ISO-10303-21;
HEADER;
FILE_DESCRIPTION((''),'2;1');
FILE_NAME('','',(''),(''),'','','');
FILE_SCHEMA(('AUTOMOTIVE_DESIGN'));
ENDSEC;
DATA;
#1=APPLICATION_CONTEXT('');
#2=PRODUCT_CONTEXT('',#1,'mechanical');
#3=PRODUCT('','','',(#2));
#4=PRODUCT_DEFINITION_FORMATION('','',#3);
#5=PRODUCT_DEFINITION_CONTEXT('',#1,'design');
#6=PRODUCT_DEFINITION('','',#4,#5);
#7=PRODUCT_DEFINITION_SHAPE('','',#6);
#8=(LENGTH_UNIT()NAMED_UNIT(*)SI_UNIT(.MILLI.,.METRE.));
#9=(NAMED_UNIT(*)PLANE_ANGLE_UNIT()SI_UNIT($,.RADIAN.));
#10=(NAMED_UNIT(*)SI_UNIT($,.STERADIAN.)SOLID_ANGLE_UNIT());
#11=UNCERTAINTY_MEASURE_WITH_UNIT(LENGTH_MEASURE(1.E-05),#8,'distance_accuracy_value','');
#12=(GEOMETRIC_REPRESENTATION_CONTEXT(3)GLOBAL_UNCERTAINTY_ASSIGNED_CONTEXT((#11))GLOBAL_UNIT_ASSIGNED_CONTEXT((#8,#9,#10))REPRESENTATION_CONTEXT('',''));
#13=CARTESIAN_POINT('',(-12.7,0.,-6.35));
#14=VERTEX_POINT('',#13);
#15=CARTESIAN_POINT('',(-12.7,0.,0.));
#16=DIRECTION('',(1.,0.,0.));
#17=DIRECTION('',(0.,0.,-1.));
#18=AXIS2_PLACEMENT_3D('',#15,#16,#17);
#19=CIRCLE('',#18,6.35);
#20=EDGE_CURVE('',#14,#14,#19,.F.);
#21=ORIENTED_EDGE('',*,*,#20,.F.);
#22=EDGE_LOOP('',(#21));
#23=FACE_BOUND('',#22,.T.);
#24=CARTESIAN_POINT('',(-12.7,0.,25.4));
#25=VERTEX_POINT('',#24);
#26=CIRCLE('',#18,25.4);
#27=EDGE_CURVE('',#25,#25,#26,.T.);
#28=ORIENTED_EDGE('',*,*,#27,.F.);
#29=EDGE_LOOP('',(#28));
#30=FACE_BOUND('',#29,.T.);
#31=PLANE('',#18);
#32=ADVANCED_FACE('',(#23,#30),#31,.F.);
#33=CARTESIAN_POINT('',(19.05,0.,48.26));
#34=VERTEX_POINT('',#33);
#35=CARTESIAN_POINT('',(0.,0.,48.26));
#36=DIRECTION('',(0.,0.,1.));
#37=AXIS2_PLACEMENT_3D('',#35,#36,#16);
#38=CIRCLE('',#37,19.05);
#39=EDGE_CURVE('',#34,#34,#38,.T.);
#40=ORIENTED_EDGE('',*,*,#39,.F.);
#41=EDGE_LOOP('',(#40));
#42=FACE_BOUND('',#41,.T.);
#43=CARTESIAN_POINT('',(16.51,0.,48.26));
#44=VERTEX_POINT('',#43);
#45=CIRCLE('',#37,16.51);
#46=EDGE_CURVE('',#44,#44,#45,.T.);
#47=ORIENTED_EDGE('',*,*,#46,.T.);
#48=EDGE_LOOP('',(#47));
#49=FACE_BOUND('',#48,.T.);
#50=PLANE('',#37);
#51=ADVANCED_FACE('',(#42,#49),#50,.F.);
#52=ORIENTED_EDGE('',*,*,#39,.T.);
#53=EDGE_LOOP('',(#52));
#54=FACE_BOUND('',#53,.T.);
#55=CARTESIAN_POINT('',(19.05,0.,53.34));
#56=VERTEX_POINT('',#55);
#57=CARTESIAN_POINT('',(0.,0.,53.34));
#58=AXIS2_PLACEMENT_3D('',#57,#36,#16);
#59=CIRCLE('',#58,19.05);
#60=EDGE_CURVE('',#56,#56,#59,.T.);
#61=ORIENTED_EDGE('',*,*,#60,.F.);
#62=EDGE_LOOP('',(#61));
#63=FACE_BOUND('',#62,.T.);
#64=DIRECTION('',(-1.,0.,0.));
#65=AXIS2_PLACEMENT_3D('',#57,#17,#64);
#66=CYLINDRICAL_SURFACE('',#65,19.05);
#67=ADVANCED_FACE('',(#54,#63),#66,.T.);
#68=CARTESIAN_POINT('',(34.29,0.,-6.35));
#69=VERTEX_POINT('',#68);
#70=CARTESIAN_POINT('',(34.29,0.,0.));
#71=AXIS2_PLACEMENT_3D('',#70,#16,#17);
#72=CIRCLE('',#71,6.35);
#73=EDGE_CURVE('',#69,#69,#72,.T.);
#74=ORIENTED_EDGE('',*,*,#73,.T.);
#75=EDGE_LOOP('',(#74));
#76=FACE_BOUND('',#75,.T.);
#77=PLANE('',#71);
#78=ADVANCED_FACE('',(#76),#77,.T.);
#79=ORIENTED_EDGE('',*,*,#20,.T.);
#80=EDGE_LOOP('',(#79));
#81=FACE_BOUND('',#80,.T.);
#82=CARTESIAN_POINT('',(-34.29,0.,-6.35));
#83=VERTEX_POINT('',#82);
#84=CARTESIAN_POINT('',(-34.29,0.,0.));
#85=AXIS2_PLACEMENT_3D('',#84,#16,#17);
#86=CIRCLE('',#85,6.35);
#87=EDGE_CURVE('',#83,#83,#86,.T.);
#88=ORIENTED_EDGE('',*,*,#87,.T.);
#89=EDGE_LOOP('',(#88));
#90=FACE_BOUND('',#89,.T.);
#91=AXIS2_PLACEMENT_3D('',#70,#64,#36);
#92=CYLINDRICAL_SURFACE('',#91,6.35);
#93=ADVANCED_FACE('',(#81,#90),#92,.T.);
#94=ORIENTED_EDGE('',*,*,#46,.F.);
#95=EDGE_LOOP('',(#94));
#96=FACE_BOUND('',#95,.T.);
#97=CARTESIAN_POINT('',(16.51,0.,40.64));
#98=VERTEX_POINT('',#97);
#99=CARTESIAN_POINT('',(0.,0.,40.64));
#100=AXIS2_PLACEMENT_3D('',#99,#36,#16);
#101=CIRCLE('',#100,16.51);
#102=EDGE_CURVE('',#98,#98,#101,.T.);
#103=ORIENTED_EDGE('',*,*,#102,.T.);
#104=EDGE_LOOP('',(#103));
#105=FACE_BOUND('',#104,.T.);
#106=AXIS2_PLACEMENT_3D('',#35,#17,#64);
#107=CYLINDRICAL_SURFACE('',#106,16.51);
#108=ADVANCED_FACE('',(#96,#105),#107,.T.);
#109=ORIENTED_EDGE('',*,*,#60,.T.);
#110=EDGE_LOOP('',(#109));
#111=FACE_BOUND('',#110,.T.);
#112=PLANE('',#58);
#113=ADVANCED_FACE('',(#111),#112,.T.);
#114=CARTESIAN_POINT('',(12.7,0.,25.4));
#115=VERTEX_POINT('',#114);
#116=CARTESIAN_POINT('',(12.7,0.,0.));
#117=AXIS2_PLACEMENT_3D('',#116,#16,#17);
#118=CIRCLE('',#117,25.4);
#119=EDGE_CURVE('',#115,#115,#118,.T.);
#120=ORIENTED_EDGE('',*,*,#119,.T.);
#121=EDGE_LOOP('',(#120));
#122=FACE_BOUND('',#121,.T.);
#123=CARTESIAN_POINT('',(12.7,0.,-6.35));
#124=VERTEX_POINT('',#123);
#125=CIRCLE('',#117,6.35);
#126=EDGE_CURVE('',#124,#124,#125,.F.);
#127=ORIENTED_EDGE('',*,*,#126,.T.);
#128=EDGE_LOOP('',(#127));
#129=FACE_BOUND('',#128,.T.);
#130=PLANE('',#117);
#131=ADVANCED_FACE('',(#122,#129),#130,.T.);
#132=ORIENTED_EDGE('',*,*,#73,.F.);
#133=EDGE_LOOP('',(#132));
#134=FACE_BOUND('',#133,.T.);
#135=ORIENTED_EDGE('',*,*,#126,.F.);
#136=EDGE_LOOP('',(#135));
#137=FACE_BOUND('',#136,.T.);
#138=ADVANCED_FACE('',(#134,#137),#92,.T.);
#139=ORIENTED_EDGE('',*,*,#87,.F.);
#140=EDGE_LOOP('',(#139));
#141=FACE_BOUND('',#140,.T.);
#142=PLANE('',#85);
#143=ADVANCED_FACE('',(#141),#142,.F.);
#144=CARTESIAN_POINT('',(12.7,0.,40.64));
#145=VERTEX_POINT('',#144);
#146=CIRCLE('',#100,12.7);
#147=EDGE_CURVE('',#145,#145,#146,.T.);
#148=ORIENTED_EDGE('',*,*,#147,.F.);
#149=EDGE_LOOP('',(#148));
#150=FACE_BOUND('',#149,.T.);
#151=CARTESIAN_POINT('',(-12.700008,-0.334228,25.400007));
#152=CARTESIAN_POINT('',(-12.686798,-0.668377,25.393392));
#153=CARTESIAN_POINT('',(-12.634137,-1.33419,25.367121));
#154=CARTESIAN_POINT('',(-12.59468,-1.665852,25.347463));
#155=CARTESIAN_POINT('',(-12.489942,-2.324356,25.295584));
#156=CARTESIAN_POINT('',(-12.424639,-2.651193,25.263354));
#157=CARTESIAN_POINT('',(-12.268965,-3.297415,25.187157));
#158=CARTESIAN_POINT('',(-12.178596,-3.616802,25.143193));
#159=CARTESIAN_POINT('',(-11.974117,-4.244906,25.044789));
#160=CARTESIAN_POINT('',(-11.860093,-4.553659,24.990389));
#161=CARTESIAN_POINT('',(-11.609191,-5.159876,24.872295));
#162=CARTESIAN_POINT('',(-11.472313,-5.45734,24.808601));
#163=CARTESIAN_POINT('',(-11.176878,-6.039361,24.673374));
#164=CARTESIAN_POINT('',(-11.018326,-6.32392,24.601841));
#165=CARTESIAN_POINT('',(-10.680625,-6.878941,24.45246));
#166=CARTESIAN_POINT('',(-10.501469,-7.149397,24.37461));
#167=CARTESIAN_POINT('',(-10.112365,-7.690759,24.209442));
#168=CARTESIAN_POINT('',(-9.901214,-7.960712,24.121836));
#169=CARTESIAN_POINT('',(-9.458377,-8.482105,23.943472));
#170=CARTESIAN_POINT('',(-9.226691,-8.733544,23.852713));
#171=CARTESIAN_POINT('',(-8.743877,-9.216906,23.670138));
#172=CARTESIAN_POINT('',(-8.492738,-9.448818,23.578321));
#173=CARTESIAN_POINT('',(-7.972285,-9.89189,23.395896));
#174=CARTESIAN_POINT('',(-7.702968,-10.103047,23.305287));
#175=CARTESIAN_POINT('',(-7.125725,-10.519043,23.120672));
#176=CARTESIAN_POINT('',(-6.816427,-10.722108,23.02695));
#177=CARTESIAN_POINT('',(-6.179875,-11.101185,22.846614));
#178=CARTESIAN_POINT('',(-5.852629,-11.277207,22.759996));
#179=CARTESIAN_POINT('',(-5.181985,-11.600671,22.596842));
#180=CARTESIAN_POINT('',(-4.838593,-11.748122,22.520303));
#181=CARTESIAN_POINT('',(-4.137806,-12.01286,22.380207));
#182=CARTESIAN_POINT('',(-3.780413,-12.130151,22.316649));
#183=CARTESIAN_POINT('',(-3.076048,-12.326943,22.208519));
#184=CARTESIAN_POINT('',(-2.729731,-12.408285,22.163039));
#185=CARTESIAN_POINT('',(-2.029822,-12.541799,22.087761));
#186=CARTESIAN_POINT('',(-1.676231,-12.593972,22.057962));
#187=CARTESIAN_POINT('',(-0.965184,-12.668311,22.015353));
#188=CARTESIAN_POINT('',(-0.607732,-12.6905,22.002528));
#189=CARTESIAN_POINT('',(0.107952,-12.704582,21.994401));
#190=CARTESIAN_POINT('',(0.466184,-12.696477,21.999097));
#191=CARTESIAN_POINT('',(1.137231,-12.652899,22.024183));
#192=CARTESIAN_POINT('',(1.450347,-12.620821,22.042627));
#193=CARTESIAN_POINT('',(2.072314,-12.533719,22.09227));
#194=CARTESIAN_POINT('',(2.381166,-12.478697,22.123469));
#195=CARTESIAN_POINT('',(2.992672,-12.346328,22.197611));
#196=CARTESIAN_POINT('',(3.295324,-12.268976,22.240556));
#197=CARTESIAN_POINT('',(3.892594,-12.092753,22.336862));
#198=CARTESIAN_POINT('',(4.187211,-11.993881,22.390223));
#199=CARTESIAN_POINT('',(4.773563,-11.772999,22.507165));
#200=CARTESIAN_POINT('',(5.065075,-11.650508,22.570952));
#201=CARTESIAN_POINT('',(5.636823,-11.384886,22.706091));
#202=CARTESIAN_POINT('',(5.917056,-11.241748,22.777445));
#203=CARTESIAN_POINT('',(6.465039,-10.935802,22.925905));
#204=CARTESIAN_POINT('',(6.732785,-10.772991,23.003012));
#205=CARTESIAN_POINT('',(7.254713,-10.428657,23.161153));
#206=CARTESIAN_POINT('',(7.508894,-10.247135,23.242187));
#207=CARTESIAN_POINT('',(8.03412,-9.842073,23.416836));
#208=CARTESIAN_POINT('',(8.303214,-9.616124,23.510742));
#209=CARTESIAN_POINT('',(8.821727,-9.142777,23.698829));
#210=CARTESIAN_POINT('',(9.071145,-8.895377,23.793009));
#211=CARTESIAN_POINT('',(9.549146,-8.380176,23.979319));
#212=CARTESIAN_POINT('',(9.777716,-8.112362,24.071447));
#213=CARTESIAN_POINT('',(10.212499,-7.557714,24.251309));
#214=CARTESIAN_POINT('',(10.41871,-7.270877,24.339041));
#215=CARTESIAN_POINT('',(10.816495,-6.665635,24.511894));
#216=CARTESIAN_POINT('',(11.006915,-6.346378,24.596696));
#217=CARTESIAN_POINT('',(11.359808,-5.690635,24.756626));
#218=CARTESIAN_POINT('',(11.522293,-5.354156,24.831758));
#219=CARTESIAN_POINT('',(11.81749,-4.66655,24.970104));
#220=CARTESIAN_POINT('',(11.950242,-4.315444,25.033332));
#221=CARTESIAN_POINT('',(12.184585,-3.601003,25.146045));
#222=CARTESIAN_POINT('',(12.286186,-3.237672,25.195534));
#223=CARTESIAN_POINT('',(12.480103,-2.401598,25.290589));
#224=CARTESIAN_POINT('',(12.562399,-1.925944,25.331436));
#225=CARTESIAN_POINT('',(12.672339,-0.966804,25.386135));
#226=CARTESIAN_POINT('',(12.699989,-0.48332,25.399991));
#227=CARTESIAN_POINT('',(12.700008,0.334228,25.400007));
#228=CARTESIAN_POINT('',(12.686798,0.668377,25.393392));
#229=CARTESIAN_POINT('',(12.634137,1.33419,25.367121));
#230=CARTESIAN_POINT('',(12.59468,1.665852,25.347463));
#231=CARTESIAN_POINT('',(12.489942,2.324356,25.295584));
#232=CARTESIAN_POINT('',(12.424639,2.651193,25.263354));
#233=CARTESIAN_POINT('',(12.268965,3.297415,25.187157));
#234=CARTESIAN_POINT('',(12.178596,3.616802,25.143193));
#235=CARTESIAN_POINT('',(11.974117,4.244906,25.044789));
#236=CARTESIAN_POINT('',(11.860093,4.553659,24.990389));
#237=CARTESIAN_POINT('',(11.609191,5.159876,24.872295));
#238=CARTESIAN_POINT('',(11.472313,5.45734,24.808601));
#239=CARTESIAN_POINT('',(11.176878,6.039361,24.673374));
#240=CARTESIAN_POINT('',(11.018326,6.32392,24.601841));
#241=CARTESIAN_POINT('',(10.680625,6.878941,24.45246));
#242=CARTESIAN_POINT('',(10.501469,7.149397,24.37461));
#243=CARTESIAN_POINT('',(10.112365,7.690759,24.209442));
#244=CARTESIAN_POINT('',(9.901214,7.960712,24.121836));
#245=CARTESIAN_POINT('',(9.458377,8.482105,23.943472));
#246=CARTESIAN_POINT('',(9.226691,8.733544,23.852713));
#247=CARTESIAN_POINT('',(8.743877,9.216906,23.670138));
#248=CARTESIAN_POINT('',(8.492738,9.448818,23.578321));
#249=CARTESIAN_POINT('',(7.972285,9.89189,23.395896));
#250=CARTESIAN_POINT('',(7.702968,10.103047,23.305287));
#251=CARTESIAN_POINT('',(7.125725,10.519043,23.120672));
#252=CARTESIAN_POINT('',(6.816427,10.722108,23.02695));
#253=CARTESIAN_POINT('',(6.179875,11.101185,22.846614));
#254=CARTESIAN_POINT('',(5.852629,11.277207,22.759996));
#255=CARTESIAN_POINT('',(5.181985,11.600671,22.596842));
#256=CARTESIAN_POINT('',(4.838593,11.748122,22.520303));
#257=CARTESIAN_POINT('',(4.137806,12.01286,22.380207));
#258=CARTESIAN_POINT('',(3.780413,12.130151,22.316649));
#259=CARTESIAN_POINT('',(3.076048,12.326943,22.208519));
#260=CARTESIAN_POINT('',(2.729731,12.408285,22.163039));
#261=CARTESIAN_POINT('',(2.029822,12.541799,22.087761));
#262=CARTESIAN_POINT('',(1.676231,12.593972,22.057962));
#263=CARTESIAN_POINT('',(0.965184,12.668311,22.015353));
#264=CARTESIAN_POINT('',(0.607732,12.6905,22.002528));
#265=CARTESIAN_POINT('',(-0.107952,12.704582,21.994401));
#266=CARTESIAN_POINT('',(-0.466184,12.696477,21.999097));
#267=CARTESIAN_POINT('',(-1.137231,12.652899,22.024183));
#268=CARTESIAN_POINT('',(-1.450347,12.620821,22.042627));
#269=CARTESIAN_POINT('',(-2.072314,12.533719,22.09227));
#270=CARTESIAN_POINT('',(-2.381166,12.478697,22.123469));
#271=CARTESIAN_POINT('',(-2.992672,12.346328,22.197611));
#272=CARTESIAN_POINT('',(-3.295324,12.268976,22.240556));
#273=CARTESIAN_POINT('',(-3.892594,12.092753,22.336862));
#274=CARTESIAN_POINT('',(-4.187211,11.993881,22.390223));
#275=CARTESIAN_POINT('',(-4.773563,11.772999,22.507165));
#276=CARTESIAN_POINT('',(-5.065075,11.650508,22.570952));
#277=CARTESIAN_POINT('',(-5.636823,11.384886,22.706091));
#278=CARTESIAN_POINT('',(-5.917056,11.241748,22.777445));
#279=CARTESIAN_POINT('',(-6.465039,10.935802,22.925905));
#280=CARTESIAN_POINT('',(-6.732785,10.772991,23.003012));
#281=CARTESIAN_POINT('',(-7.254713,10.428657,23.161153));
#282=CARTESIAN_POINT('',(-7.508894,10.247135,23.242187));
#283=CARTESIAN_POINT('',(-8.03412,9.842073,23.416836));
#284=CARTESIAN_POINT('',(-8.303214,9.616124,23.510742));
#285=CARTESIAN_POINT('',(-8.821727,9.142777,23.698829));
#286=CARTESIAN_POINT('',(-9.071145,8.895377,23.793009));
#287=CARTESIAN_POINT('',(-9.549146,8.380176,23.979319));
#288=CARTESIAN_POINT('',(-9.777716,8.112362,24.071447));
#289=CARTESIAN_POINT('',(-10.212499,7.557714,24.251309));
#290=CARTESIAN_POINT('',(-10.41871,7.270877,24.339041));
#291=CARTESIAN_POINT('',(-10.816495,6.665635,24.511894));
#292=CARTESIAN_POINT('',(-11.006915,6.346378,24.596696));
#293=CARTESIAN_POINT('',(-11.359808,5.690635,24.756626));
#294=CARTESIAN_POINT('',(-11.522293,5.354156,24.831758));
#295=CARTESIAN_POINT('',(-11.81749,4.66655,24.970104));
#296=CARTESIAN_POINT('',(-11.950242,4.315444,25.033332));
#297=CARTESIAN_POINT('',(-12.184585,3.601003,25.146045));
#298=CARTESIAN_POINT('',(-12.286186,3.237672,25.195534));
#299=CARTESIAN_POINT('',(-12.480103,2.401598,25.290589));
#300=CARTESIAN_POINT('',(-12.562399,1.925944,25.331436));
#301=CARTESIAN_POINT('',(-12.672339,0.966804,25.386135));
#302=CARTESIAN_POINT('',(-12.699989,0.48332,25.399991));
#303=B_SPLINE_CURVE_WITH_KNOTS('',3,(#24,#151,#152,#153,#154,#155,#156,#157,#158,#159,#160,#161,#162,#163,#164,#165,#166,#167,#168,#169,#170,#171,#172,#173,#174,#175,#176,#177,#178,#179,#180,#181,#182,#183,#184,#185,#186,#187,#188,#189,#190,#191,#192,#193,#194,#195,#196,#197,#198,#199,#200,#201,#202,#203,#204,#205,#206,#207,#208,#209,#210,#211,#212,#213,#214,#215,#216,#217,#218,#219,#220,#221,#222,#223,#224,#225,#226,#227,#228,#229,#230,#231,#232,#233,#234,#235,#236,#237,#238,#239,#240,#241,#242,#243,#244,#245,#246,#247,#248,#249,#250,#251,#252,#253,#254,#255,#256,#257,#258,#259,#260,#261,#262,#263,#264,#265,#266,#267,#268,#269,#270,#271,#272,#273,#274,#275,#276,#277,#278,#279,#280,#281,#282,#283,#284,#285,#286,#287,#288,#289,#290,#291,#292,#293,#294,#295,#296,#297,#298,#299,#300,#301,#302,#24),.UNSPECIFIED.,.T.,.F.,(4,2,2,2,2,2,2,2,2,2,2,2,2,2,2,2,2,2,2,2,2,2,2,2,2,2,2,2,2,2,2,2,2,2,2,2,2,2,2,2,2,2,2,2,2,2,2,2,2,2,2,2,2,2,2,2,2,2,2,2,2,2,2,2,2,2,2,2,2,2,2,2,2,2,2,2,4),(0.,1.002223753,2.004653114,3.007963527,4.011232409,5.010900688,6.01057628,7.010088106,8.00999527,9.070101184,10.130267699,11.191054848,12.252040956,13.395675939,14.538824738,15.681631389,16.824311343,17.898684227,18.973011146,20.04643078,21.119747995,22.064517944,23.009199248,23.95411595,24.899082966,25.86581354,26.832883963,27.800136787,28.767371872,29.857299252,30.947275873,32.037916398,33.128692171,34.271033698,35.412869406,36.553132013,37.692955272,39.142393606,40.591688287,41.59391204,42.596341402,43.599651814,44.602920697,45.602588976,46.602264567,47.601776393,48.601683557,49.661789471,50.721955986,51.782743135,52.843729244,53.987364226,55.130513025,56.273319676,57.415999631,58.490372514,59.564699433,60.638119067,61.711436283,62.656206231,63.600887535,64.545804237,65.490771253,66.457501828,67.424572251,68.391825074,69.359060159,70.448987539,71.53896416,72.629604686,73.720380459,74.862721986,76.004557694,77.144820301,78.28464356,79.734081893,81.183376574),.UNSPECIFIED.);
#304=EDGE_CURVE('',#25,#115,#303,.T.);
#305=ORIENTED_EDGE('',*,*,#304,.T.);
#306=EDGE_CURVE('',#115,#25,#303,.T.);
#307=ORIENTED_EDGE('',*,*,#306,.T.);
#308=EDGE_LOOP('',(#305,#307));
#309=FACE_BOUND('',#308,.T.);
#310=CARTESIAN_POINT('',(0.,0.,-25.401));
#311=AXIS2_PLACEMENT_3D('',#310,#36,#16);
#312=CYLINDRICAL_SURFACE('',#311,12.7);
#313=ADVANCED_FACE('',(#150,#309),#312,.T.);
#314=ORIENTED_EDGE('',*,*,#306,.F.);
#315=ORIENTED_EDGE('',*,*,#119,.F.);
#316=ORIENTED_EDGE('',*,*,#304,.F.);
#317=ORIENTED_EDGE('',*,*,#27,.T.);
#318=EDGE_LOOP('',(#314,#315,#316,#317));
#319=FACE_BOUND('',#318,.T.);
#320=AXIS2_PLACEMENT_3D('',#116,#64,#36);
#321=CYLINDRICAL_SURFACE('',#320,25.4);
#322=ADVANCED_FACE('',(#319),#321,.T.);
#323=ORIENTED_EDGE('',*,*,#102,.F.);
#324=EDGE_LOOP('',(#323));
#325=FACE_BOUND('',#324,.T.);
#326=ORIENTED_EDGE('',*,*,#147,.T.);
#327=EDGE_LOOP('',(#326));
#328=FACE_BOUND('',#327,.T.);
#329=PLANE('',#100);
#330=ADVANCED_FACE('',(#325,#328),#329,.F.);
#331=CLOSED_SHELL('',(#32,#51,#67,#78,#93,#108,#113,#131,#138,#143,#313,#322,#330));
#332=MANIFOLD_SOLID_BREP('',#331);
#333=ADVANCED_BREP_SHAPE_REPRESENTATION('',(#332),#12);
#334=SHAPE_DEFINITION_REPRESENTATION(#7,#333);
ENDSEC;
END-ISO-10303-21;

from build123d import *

# Parameters (mm, degrees)
CROQUIS1_R              = 25.4
SALIENTE_EXTRUIR1_DEPTH = 12.7
SALIENTE_EXTRUIR2_REACH = 68.04
CROQUIS2_R              = 12.7
CROQUIS3_R              = 16.51
SALIENTE_EXTRUIR3_DEPTH = 7.62
CROQUIS4_R              = 19.05
SALIENTE_EXTRUIR4_DEPTH = 5.08
CROQUIS6_R              = 6.35
SALIENTE_EXTRUIR5_DEPTH = 34.29


with BuildPart() as part:
    # Croquis1 → Saliente-Extruir1 (new body, symmetric)
    with BuildSketch(Plane(origin=(0, 0, 0), x_dir=(0, 0, -1), z_dir=(1, 0, 0))):
        Circle(CROQUIS1_R)
    extrude(amount=SALIENTE_EXTRUIR1_DEPTH, both=True)

    # Croquis2 → Saliente-Extruir2 (add, up to next)
    with BuildSketch(Plane.XY.offset(40.64), mode=Mode.PRIVATE) as saliente_extruir2_sk1:
        Circle(CROQUIS2_R)
    saliente_extruir2_tool1 = extrude(saliente_extruir2_sk1.sketch, amount=-SALIENTE_EXTRUIR2_REACH, mode=Mode.PRIVATE) - part.part
    add(saliente_extruir2_tool1.solids().sort_by_distance((0, 0, 40.64))[0])

    # Croquis3 → Saliente-Extruir3 (add)
    with BuildSketch(Plane.XY.offset(40.64)):
        Circle(CROQUIS3_R)
    extrude(amount=SALIENTE_EXTRUIR3_DEPTH)

    # Croquis4 → Saliente-Extruir4 (add)
    with BuildSketch(Plane.XY.offset(48.26)):
        Circle(CROQUIS4_R)
    extrude(amount=SALIENTE_EXTRUIR4_DEPTH)

    # Croquis6 → Saliente-Extruir5 (add, symmetric)
    with BuildSketch(Plane(origin=(0, 0, 0), x_dir=(0, 0, -1), z_dir=(1, 0, 0))):
        Circle(CROQUIS6_R)
    extrude(amount=SALIENTE_EXTRUIR5_DEPTH, both=True)


solid = part.part
